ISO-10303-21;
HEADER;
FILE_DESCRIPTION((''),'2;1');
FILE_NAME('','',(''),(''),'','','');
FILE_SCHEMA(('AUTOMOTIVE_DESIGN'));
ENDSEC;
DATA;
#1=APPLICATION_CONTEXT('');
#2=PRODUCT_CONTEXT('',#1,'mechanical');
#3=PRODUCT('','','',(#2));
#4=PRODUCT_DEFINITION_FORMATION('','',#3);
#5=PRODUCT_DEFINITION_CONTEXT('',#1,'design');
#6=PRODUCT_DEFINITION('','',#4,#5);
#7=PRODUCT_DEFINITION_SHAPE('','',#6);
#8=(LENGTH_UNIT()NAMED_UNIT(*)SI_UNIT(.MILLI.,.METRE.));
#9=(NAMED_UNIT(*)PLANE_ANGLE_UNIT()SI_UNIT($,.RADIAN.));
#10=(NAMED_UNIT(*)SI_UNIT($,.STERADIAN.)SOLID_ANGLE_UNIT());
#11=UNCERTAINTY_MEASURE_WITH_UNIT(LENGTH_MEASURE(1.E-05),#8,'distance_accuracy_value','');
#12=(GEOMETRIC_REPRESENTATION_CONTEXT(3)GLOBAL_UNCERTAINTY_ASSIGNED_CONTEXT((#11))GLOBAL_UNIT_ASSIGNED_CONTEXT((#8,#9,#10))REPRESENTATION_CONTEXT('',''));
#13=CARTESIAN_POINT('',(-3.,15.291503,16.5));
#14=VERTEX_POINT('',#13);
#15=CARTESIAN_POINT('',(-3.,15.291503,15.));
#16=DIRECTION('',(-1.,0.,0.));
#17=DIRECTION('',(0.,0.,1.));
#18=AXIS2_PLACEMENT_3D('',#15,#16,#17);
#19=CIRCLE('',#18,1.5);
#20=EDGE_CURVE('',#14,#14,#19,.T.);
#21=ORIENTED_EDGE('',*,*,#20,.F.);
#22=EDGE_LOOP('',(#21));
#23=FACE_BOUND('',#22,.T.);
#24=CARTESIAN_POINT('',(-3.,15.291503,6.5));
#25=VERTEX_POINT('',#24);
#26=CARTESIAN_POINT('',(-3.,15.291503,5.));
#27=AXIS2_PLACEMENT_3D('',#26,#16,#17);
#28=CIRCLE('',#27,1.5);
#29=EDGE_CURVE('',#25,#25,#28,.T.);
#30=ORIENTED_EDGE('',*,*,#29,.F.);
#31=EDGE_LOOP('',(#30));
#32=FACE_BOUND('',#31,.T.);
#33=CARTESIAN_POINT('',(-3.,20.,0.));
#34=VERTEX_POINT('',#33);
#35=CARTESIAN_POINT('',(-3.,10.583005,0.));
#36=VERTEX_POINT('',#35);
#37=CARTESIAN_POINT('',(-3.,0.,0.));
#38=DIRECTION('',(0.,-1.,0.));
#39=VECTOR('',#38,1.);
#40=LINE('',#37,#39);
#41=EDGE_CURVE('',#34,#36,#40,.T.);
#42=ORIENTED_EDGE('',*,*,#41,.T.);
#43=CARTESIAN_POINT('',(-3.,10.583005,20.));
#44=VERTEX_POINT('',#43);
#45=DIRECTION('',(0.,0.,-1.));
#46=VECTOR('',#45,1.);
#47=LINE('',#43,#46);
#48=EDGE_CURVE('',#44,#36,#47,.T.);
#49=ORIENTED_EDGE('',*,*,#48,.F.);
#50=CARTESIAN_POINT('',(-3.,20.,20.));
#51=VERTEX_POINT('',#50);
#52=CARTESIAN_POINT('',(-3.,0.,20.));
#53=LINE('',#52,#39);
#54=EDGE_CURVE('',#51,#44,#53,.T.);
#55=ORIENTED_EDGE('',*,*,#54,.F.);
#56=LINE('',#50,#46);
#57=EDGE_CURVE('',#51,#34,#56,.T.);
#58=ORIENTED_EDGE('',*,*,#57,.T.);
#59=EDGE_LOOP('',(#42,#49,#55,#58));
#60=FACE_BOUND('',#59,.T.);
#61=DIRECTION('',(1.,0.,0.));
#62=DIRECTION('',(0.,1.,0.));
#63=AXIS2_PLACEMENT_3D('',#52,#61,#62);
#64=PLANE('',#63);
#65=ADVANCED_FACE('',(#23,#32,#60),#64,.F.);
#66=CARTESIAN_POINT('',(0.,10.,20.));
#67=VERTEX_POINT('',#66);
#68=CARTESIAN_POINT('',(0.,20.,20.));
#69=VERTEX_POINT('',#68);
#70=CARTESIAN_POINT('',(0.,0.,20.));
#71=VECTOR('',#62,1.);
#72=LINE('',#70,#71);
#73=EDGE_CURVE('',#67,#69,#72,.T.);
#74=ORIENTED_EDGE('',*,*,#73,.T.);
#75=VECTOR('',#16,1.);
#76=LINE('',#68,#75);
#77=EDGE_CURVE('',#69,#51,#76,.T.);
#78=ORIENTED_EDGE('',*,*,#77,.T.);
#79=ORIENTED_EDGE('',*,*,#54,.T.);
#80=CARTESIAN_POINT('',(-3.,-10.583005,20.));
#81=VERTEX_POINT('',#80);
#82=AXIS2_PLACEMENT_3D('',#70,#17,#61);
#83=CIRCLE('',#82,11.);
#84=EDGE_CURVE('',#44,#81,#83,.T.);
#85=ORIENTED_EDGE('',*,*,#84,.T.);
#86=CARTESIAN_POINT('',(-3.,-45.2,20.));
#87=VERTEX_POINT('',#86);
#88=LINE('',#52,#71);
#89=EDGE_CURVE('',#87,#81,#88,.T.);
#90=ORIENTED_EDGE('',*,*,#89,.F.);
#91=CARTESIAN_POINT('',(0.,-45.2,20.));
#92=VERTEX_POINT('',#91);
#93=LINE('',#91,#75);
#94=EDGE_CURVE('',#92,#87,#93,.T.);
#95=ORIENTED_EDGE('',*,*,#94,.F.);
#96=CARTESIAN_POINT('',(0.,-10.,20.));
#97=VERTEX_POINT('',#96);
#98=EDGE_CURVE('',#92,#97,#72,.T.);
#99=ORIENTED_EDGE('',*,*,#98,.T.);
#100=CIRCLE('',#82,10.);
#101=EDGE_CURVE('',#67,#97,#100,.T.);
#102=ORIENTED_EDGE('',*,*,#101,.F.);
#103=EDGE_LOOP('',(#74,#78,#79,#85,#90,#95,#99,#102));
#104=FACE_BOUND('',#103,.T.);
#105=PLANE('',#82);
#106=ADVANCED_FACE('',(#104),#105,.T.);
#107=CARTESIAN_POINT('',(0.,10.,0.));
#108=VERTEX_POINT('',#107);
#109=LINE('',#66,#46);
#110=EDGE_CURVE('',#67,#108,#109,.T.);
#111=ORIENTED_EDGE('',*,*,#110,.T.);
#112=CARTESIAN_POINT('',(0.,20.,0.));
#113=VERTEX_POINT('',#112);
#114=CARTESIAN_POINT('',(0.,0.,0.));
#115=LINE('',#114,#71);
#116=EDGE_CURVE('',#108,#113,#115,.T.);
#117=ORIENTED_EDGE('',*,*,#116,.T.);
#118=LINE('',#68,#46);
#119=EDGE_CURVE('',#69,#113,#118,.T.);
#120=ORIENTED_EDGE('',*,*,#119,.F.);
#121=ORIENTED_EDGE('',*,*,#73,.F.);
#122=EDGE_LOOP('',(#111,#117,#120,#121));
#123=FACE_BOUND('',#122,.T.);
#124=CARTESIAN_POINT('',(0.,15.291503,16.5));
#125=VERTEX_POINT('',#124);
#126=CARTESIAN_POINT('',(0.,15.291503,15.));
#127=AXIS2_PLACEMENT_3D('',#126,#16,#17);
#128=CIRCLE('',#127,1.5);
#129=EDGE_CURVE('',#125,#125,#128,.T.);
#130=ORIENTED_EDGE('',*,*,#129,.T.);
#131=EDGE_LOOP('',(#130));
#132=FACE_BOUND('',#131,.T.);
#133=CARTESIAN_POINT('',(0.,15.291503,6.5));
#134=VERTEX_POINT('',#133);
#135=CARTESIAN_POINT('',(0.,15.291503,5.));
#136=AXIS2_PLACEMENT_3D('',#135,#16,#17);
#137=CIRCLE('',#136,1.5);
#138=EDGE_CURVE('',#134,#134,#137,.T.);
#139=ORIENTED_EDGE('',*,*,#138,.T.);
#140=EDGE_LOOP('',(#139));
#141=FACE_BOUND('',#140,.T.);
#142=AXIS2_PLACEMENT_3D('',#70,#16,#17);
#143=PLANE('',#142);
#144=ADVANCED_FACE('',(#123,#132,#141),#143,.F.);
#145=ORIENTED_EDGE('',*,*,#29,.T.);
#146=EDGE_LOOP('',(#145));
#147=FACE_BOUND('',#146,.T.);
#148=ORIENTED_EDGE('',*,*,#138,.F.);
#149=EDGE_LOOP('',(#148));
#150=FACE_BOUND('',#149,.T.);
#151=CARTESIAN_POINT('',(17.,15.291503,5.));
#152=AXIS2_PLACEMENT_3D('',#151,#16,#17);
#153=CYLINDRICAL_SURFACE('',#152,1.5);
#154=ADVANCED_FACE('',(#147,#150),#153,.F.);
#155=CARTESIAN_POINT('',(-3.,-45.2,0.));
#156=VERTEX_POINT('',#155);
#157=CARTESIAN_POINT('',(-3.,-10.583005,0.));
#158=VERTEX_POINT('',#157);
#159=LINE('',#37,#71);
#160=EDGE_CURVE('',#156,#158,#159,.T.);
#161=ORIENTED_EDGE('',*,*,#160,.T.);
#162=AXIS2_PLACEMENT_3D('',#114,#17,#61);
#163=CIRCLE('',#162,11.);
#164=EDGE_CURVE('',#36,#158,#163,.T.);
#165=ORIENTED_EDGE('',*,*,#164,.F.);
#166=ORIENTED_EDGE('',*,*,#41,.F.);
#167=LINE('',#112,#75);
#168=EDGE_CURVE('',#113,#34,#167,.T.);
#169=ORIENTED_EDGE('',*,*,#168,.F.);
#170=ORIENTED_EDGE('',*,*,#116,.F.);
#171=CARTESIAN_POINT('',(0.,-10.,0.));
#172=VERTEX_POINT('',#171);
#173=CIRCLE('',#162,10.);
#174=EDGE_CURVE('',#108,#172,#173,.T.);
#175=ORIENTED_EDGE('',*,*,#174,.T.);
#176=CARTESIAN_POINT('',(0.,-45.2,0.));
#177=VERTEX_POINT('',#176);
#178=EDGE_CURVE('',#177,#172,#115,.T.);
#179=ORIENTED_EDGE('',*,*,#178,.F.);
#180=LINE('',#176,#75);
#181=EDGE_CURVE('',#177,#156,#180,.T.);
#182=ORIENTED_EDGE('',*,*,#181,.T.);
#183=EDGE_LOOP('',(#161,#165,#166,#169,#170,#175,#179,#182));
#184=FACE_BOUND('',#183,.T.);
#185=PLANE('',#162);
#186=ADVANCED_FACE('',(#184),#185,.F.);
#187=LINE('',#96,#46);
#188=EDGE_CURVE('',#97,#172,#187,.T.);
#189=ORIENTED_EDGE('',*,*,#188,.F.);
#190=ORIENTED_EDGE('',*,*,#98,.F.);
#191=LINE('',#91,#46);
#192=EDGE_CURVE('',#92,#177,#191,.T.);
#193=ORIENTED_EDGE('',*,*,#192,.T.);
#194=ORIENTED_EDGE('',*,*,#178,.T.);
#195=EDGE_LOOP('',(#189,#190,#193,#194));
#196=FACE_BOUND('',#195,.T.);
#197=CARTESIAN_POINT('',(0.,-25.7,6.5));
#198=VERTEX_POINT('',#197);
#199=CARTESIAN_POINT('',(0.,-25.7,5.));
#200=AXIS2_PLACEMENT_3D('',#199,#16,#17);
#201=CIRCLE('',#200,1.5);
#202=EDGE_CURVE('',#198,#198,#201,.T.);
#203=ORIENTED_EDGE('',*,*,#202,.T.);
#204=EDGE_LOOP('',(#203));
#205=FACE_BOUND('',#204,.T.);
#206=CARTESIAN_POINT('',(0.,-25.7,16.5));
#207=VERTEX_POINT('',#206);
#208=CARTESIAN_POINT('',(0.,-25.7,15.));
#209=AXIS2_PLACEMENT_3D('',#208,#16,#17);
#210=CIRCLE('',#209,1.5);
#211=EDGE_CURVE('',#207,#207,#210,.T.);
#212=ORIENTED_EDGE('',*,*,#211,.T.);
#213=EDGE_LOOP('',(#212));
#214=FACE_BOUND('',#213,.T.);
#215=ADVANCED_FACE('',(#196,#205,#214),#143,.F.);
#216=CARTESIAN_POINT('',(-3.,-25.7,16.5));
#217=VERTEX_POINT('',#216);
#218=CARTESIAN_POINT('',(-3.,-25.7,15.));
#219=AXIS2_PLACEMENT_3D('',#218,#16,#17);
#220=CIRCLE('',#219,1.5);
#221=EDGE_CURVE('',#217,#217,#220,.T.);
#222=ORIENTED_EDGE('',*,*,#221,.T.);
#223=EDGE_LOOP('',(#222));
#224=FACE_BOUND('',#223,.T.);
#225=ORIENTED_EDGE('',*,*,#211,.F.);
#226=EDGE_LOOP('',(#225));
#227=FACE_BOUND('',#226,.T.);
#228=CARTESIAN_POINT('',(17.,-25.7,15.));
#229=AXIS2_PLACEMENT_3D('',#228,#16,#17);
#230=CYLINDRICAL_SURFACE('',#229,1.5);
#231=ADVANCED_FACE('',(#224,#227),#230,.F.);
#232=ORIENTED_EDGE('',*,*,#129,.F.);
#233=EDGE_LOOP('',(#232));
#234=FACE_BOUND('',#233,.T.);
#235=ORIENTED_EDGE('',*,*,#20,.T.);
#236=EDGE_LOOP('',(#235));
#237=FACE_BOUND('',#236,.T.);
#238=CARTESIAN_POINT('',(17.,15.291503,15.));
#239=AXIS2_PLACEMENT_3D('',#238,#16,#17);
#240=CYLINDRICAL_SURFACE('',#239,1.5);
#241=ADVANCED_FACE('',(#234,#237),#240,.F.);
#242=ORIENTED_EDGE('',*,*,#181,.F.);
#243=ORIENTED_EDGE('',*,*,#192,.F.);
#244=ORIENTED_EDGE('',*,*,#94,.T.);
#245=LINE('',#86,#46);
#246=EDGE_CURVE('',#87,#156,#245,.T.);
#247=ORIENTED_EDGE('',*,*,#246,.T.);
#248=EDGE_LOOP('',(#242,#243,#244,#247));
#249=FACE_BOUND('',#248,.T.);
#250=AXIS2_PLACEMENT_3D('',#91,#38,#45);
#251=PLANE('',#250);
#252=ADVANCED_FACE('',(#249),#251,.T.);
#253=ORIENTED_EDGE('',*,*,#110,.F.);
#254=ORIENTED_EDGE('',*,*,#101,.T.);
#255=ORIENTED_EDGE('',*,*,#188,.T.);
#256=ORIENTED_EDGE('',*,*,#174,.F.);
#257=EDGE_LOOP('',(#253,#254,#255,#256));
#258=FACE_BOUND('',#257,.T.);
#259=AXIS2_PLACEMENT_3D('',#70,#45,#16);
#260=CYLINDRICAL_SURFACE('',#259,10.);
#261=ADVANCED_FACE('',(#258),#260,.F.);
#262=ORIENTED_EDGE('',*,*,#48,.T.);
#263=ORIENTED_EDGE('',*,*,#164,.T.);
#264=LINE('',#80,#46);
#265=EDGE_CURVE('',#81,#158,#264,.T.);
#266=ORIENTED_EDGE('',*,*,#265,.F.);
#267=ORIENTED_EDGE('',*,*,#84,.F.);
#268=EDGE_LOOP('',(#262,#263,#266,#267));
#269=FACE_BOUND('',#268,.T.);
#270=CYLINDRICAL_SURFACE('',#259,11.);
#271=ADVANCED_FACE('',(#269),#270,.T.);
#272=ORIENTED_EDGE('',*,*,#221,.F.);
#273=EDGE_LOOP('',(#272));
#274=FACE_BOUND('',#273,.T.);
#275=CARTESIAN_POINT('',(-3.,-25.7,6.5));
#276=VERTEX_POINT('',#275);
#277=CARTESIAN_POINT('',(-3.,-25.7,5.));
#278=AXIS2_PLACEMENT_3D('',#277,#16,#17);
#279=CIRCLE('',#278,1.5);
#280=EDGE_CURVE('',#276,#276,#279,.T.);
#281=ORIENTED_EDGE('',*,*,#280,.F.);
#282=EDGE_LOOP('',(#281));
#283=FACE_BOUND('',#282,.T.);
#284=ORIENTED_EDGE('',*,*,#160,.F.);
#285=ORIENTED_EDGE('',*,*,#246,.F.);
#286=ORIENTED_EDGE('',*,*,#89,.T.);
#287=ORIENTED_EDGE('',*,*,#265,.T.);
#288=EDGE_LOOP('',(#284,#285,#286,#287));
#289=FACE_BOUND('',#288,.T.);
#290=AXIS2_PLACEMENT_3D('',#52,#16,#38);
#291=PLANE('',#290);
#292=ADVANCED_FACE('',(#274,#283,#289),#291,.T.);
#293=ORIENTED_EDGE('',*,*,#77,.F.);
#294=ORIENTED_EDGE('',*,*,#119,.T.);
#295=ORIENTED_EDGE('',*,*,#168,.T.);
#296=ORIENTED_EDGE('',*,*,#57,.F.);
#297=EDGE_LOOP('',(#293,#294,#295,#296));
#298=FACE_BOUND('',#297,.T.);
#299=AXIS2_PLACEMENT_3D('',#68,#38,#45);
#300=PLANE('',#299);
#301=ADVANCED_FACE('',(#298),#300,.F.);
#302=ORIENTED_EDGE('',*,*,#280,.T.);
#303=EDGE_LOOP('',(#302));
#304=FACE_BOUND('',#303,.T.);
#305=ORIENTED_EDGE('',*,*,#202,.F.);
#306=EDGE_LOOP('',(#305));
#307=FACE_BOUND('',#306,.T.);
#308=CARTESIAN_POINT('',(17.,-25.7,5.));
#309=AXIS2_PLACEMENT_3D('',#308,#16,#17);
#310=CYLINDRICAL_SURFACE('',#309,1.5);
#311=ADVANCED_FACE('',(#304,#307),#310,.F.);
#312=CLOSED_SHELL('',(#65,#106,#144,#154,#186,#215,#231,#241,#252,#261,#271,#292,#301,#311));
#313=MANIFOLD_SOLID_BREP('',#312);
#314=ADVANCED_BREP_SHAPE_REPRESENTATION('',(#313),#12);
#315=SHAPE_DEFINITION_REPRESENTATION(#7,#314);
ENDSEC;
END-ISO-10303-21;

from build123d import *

# Parameters (mm, degrees)
EXTRUDE_1_DEPTH     = 20
SKETCH_2_R          = 1.5
CUT_EXTRUDE_1_DEPTH = 20


with BuildPart() as part:
    # 草图1 → 凸台-拉伸1 (new body)
    with BuildSketch(Plane.XY):
        with BuildLine():
            Line((-3, 20), (-3, 10.583005244))
            ThreePointArc((-3, 10.583005244), (-11, 0), (-3, -10.583005244))
            Line((-3, -10.583005244), (-3, -45.2))
            Line((-3, -45.2), (0, -45.2))
            Line((0, -45.2), (0, -10))
            ThreePointArc((0, -10), (-10, 0), (0, 10))
            Line((0, 10), (0, 20))
            Line((0, 20), (-3, 20))
        make_face()
    extrude(amount=EXTRUDE_1_DEPTH)

    # 草图2 → 切除-拉伸1 (cut)
    with BuildSketch(Plane.ZY.offset(3)):
        with Locations((5, 15.291502622)):
            Circle(SKETCH_2_R)
        with Locations((15, 15.291502622)):
            Circle(SKETCH_2_R)
        with Locations((5, -25.7)):
            Circle(SKETCH_2_R)
        with Locations((15, -25.7)):
            Circle(SKETCH_2_R)
    extrude(amount=-CUT_EXTRUDE_1_DEPTH, mode=Mode.SUBTRACT)


solid = part.part
